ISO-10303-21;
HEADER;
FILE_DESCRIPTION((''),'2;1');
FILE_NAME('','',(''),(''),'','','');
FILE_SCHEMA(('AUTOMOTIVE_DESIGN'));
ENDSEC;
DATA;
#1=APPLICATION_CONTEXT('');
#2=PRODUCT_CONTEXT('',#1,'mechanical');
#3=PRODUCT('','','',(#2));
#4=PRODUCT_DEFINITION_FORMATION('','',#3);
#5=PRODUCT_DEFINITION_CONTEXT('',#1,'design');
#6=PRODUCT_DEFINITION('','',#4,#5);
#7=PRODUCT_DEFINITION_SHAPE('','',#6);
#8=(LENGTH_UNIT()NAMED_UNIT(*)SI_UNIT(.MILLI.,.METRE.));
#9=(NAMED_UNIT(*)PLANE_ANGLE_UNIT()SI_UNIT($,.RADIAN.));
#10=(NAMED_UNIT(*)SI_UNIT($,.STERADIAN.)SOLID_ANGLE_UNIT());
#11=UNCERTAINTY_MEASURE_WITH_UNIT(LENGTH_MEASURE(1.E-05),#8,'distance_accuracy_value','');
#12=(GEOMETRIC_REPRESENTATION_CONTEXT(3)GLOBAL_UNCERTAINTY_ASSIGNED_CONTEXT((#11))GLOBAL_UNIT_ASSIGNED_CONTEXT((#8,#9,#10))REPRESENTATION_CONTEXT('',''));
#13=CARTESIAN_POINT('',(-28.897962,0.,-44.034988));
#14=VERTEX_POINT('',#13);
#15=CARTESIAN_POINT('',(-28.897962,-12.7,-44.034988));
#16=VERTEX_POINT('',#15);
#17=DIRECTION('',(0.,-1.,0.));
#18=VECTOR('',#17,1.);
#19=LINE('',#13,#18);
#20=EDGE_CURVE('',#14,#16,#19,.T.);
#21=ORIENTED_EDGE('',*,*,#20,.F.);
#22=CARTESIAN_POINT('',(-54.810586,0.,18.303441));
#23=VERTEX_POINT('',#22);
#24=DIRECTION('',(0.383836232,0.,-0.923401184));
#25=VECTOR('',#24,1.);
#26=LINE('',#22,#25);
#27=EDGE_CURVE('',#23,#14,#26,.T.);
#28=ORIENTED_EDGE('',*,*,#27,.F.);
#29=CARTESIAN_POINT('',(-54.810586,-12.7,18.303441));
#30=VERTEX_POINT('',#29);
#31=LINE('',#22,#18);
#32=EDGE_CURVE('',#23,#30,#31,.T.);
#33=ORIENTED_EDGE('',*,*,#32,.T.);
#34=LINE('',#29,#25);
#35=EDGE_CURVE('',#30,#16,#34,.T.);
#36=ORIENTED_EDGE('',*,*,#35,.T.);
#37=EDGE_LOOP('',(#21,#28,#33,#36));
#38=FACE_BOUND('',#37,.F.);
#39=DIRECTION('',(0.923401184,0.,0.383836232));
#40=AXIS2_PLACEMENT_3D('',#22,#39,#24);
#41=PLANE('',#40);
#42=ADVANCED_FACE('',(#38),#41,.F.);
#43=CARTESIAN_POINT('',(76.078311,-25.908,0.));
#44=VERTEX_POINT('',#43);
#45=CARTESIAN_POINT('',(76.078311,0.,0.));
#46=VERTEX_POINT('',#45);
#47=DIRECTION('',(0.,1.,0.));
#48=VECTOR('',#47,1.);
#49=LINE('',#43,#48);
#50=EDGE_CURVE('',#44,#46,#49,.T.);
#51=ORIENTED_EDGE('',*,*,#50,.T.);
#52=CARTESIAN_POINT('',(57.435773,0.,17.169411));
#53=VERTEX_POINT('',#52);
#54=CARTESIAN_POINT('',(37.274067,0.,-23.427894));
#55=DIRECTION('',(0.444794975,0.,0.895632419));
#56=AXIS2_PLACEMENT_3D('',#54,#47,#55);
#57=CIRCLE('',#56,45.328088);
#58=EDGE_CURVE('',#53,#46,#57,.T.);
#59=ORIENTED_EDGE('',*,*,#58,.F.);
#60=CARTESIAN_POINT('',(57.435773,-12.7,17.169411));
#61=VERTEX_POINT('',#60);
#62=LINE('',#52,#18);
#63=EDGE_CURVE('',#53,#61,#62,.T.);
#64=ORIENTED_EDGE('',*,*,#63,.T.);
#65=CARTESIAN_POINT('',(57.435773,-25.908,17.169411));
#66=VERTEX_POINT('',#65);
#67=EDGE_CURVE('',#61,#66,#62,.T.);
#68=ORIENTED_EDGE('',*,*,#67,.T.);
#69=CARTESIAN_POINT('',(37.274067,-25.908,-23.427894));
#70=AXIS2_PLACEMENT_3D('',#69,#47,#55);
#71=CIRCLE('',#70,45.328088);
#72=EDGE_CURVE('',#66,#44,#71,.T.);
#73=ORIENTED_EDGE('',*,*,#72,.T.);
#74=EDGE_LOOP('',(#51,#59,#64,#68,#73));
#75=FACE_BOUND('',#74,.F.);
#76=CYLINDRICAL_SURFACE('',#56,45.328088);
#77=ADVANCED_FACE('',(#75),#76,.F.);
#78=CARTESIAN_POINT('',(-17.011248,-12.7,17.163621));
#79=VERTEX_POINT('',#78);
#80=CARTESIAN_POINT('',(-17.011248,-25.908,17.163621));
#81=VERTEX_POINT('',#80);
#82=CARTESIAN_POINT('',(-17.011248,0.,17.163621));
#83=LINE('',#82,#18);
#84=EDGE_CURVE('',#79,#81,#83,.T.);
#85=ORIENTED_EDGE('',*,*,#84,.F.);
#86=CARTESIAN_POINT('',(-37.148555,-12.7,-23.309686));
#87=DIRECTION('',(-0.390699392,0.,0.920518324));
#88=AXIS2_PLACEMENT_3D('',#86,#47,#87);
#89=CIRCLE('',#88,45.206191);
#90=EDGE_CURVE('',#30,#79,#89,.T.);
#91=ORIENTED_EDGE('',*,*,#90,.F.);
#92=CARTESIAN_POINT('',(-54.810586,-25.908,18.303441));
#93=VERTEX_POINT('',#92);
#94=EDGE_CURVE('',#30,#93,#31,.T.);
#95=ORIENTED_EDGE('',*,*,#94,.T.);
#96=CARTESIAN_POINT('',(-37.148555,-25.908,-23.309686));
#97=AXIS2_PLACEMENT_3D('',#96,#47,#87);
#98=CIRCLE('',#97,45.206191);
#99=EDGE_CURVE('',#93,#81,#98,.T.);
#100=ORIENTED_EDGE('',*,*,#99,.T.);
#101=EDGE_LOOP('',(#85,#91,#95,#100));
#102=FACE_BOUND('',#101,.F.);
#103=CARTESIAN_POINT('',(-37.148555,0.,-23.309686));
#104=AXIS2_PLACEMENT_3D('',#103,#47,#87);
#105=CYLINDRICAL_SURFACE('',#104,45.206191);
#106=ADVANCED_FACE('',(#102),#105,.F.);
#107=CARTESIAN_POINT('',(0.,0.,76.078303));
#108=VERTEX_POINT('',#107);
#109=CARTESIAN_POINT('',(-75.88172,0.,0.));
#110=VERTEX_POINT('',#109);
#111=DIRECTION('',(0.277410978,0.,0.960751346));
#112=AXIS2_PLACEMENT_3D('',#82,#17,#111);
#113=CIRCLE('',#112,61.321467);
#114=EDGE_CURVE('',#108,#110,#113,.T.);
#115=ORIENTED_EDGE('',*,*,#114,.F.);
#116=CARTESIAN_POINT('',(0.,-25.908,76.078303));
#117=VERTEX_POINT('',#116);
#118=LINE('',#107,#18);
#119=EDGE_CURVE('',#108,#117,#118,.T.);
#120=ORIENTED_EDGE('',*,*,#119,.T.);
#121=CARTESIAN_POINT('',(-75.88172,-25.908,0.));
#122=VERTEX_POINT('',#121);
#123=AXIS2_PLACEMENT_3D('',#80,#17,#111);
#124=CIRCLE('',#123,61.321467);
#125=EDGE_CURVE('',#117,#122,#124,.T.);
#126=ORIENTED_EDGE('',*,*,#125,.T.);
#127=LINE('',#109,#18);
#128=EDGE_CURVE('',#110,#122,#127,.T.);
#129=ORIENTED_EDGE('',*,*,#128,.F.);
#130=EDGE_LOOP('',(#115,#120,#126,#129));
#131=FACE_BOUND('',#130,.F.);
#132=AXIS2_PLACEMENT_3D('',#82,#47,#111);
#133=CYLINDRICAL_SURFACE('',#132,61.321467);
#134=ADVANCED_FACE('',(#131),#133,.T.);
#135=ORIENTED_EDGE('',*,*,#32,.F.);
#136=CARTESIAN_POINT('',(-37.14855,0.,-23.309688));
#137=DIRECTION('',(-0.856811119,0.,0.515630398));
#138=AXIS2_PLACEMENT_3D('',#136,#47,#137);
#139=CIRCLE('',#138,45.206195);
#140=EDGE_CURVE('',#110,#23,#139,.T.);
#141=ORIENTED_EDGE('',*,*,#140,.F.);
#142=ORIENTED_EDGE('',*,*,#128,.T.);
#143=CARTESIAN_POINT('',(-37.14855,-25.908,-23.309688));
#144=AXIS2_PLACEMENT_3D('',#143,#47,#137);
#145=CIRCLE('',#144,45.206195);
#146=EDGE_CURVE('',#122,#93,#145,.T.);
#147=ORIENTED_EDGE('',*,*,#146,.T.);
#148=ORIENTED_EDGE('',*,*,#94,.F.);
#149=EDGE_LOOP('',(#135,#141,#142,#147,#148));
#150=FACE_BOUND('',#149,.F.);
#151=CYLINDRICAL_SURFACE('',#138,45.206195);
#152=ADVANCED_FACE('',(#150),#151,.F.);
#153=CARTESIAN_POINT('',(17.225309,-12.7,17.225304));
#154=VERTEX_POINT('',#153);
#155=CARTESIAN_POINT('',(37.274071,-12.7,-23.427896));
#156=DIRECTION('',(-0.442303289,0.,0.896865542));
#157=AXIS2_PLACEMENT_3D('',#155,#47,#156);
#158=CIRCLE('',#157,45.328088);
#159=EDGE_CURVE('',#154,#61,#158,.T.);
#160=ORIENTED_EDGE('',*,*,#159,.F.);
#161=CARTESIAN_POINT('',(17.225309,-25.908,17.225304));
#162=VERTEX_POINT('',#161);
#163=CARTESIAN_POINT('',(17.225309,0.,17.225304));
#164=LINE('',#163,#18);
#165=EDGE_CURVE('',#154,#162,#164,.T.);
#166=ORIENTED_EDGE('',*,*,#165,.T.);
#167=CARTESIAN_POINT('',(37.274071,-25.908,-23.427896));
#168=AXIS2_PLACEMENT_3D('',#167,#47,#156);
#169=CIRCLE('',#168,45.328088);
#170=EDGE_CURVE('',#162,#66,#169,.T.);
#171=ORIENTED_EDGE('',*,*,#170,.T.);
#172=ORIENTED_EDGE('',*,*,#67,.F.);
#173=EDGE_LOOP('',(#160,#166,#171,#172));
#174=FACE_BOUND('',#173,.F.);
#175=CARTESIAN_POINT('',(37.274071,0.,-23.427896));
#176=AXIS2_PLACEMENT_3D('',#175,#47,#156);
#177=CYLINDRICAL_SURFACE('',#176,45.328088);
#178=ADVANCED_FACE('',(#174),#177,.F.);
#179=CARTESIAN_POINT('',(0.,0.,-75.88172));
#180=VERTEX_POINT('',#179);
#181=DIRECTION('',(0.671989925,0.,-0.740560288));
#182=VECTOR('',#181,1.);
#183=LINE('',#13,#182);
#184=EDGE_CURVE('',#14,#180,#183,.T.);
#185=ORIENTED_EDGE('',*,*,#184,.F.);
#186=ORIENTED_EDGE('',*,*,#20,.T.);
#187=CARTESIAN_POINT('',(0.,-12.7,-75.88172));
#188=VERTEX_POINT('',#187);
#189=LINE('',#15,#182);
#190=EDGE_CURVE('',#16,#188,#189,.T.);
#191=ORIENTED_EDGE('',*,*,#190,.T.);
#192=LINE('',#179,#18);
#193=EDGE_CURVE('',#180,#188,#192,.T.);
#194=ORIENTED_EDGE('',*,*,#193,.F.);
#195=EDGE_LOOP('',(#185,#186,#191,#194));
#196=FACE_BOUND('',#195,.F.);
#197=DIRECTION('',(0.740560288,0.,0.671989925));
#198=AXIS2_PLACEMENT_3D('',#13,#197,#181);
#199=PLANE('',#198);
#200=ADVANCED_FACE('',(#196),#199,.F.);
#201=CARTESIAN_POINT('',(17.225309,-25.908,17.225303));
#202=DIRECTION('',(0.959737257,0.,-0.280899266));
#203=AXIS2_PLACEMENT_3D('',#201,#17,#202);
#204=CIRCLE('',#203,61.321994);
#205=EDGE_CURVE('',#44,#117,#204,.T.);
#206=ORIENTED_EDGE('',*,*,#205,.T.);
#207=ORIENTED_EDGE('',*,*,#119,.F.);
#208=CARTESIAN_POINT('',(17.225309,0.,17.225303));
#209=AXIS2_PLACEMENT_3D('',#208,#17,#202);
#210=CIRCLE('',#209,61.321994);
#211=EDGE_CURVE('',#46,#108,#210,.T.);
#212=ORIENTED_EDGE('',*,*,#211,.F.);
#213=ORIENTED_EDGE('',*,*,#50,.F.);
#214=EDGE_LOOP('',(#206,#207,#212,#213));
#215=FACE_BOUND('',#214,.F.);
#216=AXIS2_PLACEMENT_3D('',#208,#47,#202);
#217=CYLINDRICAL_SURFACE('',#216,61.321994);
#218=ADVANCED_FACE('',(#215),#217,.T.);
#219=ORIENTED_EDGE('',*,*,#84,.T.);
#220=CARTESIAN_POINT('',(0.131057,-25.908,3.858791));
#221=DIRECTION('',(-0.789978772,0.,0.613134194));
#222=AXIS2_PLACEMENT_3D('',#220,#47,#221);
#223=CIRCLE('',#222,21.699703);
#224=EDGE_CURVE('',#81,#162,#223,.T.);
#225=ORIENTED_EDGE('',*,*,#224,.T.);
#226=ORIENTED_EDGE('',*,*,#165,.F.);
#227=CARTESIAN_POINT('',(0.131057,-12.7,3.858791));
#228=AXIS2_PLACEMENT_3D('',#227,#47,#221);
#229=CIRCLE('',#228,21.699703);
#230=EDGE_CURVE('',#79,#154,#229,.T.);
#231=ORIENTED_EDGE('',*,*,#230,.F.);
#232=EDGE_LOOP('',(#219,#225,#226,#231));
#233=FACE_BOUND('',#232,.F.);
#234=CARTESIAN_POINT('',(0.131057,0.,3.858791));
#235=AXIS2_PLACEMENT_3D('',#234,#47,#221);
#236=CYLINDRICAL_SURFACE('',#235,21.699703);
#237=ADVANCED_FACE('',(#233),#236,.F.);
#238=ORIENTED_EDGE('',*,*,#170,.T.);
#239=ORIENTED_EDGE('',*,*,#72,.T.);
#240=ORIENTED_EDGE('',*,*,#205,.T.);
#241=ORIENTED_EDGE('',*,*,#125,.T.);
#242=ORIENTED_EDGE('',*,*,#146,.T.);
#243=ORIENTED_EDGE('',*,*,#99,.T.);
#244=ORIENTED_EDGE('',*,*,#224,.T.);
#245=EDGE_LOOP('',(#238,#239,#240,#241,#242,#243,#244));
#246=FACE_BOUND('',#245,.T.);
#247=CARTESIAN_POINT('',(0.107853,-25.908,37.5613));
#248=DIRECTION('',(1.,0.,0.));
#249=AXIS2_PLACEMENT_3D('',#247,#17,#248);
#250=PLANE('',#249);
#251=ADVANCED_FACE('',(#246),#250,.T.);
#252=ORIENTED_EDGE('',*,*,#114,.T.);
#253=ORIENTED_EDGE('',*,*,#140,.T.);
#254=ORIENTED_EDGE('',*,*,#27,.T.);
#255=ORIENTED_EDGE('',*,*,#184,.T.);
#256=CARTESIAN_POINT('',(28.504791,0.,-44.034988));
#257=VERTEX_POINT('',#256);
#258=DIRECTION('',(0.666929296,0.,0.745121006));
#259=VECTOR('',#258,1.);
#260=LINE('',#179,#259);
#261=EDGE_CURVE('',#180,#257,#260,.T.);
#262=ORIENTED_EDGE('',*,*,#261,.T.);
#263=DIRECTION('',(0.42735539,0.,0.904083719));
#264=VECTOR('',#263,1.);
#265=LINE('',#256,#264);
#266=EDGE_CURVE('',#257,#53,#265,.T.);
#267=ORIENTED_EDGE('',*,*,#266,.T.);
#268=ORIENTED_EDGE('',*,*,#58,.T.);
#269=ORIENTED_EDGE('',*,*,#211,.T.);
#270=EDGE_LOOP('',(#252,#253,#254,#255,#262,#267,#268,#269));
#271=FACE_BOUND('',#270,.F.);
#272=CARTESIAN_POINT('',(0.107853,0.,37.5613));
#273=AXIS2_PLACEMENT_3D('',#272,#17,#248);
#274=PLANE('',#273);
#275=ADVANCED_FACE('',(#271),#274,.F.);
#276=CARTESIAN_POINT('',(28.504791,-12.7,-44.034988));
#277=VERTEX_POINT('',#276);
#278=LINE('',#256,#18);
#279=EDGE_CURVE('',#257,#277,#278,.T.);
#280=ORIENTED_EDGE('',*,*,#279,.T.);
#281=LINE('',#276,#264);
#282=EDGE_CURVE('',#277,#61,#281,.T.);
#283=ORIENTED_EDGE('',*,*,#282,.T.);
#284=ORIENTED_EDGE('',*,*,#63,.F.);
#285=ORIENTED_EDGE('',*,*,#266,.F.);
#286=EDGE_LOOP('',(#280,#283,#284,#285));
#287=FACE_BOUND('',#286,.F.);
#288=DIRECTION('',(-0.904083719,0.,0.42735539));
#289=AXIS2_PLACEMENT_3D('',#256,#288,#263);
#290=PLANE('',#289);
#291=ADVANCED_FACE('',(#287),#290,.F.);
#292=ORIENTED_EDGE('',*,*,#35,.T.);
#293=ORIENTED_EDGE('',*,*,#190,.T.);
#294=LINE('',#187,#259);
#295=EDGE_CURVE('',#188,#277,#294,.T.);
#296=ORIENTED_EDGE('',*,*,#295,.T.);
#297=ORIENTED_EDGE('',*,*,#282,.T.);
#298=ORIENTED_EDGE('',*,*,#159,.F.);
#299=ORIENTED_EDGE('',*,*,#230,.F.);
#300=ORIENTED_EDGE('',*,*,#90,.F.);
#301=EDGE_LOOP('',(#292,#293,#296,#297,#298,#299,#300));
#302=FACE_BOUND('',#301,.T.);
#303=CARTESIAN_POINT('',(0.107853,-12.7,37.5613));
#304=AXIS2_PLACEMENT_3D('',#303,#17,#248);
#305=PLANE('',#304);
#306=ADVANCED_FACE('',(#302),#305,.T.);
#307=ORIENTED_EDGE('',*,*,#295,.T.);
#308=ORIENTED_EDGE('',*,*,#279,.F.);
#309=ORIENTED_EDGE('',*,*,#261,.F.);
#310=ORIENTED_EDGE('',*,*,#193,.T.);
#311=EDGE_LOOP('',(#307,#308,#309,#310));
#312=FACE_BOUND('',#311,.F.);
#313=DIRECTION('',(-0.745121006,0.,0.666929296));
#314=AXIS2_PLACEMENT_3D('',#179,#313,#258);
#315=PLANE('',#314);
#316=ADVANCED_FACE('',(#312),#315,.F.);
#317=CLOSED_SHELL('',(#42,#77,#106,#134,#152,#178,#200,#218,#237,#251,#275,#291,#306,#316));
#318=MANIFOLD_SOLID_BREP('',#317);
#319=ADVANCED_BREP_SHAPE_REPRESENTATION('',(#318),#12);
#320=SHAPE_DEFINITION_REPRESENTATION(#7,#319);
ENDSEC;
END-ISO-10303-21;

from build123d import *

# Parameters (mm, degrees)
F1_DEPTH = 25.908
F2_DEPTH = 12.7


with BuildPart() as f1:
    # F0 (on Front) → F1 (new body)
    with BuildSketch(Plane.XZ):
        with BuildLine():
            ThreePointArc((76.078311, 0), (60.586504, 60.586503), (0, 76.078303))
            ThreePointArc((0, 76.078303), (-60.428131, 60.468316), (-75.88172, 0))
            ThreePointArc((-75.88172, 0), (-66.794103, 10.818617), (-54.810586, 18.303441))
            ThreePointArc((-54.810586, 18.303441), (-35.786004, 21.875966), (-17.011248, 17.163621))
            ThreePointArc((-17.011248, 17.163621), (0.091962, 25.558459), (17.225309, 17.225304))
            ThreePointArc((17.225309, 17.225304), (37.337078, 21.900148), (57.435773, 17.169411))
            ThreePointArc((57.435773, 17.169411), (67.981444, 9.91416), (76.078311, 0))
        make_face()
    extrude(amount=F1_DEPTH)

    # F0 (on Front) → F2 (join)
    with BuildSketch(Plane.XZ):
        with BuildLine():
            ThreePointArc((76.078311, 0), (60.586504, 60.586503), (0, 76.078303))
            ThreePointArc((0, 76.078303), (-60.428131, 60.468316), (-75.88172, 0))
            ThreePointArc((-75.88172, 0), (-66.794103, 10.818617), (-54.810586, 18.303441))
            ThreePointArc((-54.810586, 18.303441), (-35.786004, 21.875966), (-17.011248, 17.163621))
            ThreePointArc((-17.011248, 17.163621), (0.091962, 25.558459), (17.225309, 17.225304))
            ThreePointArc((17.225309, 17.225304), (37.337078, 21.900148), (57.435773, 17.169411))
            ThreePointArc((57.435773, 17.169411), (67.981444, 9.91416), (76.078311, 0))
        make_face()
        with BuildLine():
            ThreePointArc((-17.011248, 17.163621), (-35.786004, 21.875966), (-54.810586, 18.303441))
            Line((-54.810586, 18.303441), (-28.897962, -44.034988))
            Line((-28.897962, -44.034988), (0.131057, 3.85879))
            Line((0.131057, 3.85879), (28.504791, -44.034988))
            Line((28.504791, -44.034988), (57.435773, 17.169411))
            ThreePointArc((57.435773, 17.169411), (37.337078, 21.900148), (17.225309, 17.225304))
            ThreePointArc((17.225309, 17.225304), (0.091962, 25.558459), (-17.011248, 17.163621))
        make_face()
        Polygon((0.131057, 3.85879), (-28.897962, -44.034988), (0, -75.88172), (28.504791, -44.034988), align=None)
    extrude(amount=F2_DEPTH)


solid = f1.part
